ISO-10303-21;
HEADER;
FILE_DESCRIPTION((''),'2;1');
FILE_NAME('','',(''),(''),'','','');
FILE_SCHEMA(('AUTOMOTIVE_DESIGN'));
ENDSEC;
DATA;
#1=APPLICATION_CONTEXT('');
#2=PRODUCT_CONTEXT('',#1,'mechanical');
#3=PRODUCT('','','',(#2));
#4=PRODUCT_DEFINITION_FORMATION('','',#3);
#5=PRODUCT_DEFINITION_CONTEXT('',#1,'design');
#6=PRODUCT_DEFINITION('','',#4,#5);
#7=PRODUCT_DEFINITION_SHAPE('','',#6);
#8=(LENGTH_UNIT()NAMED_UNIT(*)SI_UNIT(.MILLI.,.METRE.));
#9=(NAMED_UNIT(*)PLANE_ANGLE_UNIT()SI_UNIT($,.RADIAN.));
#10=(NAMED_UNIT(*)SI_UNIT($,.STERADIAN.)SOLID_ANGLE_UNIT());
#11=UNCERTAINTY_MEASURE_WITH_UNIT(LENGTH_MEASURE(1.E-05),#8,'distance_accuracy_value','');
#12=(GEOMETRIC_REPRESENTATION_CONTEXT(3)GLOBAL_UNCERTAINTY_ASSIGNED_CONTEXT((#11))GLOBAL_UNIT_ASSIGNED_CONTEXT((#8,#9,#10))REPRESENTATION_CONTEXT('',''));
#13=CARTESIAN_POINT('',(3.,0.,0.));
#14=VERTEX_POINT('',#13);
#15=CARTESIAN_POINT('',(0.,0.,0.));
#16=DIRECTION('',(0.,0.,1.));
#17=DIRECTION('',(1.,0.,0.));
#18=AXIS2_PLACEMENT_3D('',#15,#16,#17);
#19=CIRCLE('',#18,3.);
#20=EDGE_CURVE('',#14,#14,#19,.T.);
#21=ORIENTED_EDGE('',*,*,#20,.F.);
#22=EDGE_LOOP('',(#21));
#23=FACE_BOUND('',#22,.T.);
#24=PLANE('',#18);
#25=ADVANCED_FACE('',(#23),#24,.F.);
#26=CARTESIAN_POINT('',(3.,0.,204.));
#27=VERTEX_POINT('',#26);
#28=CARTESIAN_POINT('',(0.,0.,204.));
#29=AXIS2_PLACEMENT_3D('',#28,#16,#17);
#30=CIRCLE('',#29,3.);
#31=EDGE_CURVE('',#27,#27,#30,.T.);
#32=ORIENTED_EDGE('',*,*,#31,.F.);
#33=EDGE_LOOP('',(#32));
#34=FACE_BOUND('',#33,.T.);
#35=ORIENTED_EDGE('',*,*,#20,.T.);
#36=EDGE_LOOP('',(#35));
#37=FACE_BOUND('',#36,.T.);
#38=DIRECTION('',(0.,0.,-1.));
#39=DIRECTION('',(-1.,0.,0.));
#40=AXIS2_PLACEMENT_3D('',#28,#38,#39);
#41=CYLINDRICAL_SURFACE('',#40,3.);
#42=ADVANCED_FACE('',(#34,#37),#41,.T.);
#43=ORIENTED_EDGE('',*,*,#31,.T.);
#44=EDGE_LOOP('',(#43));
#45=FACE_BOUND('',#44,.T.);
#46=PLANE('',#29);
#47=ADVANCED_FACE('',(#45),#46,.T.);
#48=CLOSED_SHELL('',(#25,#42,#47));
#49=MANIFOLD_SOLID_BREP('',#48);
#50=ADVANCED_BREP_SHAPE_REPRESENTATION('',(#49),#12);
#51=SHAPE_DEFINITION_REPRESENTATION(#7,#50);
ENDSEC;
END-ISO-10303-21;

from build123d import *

# Parameters (mm, degrees)
SKETCH_1_R      = 3
EXTRUDE_1_DEPTH = 204


with BuildPart() as part:
    # 스케치1 → 보스-돌출1 (new body)
    with BuildSketch(Plane.XY):
        Circle(SKETCH_1_R)
    extrude(amount=EXTRUDE_1_DEPTH)


solid = part.part
